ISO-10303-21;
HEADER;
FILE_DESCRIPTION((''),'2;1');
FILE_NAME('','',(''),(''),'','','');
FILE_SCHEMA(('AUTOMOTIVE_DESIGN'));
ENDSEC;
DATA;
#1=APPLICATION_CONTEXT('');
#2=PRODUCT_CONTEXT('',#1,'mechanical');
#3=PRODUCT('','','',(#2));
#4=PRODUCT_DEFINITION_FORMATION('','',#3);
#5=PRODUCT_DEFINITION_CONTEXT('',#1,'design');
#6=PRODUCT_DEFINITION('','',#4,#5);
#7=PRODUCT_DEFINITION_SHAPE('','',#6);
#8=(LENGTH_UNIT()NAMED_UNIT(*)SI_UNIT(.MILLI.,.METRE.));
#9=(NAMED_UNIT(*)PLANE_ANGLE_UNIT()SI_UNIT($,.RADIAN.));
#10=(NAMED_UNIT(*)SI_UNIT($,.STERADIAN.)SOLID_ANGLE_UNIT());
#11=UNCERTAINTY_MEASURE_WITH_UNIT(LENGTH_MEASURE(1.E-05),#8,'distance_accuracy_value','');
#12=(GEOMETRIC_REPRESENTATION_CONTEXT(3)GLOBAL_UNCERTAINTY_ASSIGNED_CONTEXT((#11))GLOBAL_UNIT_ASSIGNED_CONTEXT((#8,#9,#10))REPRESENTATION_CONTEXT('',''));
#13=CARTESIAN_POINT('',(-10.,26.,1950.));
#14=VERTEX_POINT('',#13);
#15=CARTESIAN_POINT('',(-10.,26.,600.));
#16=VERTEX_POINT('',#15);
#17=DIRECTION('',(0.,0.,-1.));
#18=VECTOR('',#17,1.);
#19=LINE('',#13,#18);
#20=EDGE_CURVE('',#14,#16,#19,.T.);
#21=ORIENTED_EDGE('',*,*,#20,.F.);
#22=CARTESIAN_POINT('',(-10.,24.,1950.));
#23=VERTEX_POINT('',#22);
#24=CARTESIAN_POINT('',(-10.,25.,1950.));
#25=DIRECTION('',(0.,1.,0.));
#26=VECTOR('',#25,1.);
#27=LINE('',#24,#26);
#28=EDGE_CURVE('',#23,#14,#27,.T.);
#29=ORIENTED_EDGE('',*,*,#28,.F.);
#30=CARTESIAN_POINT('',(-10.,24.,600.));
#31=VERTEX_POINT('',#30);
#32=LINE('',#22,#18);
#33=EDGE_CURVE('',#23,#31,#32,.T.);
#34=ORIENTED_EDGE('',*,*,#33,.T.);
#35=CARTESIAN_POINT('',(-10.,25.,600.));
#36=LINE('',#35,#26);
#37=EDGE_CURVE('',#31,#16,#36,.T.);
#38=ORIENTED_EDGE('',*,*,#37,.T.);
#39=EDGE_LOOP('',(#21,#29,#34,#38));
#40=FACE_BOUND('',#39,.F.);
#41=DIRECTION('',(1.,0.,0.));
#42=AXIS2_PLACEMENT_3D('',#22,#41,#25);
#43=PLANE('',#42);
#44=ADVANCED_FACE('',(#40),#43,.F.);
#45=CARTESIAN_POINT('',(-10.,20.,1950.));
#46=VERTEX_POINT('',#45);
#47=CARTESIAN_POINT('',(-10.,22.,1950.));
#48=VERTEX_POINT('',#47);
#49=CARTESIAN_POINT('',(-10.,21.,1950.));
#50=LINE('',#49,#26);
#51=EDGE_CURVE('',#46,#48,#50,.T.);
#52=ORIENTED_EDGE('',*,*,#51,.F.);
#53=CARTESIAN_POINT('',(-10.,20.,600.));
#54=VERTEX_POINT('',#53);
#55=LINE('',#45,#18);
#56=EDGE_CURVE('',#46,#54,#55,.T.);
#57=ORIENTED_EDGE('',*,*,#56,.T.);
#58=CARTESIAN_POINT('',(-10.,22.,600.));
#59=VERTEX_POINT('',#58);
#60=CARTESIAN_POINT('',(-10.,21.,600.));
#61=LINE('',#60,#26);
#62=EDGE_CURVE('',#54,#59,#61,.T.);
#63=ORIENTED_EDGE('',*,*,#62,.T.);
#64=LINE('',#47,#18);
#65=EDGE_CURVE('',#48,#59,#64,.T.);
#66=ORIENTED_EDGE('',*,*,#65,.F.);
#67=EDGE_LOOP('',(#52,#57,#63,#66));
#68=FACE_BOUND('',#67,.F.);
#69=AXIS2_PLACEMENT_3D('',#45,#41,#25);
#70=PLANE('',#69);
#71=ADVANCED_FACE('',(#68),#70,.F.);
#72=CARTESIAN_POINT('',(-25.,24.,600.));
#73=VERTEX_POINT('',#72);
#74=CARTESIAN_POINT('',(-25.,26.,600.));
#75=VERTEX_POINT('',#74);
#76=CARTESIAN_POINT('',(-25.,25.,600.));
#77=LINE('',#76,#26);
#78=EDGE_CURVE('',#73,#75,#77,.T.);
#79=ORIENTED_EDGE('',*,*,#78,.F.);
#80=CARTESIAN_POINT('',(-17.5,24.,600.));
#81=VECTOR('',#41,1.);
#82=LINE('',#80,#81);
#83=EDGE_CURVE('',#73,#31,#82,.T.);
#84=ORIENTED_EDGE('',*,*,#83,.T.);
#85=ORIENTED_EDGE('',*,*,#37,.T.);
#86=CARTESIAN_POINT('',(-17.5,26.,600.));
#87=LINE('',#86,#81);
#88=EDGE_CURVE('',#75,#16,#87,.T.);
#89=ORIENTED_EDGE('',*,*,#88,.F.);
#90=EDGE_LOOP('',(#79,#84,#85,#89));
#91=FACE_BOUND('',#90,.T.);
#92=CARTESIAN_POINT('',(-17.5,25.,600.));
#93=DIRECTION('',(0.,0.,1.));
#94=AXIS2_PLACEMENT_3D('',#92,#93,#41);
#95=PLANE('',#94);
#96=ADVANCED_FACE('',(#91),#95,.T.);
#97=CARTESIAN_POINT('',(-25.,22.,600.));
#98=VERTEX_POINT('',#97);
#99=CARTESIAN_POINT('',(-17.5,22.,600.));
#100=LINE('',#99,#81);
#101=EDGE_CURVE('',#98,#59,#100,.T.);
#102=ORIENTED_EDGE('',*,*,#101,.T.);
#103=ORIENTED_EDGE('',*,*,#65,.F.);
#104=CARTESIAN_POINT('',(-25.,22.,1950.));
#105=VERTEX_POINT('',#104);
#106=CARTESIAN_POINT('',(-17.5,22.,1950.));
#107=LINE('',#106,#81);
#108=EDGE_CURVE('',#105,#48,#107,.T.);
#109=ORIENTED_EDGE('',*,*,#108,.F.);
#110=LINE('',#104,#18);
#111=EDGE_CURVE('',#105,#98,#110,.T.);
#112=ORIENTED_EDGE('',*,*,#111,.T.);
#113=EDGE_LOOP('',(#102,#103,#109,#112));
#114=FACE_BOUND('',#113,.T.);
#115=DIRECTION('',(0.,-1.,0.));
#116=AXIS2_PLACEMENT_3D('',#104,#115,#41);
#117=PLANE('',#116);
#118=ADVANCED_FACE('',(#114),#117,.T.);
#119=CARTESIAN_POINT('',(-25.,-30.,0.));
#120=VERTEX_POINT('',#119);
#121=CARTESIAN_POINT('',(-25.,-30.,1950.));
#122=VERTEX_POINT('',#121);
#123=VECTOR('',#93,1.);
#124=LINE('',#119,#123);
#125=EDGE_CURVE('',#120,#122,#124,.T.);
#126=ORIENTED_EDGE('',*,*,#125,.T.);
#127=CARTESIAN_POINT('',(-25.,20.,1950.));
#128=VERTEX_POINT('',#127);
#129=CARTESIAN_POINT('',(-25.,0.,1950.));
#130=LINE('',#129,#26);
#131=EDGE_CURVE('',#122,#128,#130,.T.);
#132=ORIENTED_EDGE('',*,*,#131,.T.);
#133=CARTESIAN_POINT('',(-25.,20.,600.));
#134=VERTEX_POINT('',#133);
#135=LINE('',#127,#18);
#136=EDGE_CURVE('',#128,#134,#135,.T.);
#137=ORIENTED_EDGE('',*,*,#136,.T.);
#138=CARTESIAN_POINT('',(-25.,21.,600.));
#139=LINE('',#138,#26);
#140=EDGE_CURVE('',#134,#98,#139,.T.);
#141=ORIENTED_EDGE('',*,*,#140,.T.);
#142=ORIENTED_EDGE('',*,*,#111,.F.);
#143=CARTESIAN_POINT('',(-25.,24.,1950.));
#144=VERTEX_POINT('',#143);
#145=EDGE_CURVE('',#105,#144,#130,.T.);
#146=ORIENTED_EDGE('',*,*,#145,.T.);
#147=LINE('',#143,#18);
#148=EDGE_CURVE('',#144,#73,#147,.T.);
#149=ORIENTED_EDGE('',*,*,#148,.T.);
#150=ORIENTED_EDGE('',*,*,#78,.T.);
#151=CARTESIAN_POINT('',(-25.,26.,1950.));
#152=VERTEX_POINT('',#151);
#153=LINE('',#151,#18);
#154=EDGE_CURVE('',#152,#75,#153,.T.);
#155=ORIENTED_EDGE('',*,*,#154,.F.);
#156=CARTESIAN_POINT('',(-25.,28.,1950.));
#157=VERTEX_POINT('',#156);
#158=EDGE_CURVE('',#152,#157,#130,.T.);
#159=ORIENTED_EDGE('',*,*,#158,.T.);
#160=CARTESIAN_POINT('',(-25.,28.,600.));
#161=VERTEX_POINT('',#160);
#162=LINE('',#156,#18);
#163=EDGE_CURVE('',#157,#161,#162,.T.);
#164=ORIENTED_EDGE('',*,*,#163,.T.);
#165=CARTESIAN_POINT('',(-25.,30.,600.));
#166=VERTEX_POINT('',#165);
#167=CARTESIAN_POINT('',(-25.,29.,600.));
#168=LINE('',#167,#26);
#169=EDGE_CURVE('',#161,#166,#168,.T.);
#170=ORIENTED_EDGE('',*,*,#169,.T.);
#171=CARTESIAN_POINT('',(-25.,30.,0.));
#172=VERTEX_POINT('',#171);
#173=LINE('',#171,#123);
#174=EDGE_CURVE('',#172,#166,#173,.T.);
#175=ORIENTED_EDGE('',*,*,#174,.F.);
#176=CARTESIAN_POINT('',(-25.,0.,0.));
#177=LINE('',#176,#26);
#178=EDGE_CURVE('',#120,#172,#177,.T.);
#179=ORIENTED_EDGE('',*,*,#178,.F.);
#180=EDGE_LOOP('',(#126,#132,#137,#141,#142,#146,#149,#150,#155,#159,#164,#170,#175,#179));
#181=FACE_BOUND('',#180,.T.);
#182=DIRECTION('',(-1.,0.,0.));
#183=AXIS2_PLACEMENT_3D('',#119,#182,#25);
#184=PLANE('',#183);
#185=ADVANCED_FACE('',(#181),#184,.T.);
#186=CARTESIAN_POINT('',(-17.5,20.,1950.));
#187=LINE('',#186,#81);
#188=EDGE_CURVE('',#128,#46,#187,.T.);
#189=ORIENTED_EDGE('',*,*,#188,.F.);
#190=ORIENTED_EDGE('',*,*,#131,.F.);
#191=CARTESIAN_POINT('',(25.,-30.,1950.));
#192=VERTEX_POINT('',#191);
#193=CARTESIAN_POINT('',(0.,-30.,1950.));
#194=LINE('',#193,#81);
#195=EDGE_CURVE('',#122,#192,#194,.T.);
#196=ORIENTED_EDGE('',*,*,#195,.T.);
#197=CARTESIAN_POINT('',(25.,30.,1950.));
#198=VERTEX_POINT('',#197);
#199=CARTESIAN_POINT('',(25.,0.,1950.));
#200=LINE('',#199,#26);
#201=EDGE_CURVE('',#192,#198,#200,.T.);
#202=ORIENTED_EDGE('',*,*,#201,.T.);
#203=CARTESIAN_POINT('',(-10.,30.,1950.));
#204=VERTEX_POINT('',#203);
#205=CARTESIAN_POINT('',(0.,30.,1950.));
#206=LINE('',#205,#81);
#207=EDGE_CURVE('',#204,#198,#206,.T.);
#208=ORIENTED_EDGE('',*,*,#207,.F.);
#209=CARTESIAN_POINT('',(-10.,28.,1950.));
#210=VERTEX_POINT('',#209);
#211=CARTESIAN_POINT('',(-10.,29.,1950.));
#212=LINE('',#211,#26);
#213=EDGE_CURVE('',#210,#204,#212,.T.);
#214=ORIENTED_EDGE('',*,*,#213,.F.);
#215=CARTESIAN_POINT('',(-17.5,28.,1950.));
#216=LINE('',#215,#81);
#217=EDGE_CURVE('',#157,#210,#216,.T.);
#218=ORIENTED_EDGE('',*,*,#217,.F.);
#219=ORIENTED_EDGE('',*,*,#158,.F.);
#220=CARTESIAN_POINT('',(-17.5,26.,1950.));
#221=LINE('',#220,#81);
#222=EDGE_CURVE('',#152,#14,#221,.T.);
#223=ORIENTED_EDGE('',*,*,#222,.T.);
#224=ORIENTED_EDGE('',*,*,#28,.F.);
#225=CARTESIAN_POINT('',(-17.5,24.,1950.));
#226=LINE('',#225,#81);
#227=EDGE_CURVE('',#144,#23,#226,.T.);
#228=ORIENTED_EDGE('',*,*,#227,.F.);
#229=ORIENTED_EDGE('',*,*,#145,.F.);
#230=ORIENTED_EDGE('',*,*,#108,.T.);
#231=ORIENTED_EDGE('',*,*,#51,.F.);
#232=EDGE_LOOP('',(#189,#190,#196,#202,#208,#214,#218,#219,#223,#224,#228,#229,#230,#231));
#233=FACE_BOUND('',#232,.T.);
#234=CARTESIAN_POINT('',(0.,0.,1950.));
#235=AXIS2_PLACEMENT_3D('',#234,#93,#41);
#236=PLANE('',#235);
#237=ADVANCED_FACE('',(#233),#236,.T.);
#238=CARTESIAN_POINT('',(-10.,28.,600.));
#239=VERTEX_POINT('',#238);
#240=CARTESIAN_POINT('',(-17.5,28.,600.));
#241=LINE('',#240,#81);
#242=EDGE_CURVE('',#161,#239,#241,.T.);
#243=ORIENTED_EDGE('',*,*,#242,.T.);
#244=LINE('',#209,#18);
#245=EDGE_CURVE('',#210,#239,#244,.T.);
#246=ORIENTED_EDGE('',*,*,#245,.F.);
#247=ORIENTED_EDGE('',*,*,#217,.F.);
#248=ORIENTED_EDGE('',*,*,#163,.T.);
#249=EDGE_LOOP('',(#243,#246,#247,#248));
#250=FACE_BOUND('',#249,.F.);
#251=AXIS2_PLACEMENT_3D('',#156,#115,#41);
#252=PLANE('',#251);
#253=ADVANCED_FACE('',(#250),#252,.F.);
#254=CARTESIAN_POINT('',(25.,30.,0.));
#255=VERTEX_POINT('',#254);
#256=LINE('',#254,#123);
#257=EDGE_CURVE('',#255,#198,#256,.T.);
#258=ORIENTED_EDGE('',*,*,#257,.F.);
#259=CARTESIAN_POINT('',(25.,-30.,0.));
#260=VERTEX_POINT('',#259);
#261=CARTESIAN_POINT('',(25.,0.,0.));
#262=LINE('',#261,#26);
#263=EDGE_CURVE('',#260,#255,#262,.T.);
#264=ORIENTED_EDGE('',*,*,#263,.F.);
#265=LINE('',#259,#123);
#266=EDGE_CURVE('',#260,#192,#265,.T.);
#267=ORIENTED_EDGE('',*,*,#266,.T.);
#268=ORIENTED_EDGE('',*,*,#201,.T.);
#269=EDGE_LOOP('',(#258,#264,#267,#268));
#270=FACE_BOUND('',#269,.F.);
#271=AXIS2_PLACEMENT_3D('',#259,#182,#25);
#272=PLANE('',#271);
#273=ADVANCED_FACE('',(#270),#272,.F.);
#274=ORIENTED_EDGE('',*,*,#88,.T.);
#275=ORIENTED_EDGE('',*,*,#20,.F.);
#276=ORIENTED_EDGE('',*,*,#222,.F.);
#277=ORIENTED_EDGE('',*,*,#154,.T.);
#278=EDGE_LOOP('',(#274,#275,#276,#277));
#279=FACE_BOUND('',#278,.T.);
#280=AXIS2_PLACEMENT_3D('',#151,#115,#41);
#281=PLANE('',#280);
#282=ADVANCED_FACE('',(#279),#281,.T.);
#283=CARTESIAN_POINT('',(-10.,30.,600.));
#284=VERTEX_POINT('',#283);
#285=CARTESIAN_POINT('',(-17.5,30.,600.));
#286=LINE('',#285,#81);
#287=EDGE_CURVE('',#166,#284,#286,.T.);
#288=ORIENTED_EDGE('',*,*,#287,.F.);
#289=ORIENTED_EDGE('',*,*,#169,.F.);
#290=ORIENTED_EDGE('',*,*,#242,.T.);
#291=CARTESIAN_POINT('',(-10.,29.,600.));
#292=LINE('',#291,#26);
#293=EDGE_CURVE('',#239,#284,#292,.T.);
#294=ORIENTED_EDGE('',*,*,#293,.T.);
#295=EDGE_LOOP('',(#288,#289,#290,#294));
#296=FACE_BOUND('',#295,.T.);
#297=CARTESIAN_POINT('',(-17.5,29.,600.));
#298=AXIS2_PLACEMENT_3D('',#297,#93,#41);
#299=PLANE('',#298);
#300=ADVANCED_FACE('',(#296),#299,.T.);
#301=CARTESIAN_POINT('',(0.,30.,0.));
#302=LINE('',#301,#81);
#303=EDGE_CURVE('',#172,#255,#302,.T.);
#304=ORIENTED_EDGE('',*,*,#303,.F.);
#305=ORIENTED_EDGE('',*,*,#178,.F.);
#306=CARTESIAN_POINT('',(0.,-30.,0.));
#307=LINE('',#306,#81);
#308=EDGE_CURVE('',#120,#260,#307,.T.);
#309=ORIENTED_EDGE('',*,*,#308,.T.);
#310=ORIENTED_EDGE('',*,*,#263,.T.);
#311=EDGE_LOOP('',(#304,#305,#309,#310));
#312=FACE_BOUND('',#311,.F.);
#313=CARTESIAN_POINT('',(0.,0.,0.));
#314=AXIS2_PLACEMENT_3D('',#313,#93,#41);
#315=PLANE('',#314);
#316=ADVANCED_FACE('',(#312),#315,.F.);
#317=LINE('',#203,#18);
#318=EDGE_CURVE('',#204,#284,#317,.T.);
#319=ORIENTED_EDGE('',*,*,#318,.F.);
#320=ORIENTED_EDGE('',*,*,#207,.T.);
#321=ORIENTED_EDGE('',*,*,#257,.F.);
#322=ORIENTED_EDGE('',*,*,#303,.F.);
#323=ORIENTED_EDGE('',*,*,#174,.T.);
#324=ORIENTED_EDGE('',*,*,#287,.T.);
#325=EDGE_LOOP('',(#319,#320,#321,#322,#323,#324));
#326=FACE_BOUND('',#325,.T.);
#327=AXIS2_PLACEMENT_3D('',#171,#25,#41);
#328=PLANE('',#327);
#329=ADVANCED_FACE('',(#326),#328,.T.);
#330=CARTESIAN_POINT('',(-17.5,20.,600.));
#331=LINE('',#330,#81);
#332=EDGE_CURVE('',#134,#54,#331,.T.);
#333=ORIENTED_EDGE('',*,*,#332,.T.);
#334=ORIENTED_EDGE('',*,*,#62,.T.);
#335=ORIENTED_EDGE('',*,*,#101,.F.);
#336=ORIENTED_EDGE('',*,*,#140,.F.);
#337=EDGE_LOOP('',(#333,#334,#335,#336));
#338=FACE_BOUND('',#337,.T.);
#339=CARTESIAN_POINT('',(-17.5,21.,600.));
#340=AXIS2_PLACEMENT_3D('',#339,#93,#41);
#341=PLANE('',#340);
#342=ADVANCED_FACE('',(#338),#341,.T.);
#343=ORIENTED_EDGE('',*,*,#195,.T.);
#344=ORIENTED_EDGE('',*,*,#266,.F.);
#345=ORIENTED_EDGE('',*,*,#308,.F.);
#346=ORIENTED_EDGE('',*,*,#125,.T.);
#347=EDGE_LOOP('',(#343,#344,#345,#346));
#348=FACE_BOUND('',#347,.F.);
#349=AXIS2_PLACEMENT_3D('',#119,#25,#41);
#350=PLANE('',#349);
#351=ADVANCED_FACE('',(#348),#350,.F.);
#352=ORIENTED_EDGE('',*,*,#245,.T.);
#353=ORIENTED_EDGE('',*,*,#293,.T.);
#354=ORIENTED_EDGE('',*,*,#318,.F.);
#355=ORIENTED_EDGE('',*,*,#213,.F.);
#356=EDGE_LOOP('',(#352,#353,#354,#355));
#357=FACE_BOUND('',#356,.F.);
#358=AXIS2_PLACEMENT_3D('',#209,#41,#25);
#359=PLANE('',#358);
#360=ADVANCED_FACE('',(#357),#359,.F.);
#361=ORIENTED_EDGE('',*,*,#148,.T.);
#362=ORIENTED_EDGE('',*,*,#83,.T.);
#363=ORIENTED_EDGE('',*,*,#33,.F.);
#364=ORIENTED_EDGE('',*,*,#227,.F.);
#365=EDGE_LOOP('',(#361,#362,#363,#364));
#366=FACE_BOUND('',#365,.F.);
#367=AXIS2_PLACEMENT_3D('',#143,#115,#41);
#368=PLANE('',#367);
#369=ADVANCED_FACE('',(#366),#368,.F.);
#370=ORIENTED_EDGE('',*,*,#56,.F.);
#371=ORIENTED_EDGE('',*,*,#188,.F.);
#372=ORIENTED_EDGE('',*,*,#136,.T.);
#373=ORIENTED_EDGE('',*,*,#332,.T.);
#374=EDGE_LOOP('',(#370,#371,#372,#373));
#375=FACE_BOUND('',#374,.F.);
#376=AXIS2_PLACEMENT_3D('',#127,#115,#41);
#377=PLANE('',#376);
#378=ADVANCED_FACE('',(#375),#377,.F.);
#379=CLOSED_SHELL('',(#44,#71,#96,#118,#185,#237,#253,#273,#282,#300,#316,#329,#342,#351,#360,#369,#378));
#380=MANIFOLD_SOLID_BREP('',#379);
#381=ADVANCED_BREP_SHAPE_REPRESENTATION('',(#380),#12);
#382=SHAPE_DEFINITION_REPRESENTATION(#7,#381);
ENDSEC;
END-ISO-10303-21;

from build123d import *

# Parameters (mm, degrees)
F0_W     = 50
F0_H     = 60
F1_DEPTH = 1950
F2_W     = 15
F2_H     = 2
F3_DEPTH = 1350


with BuildPart() as f1:
    # F0 (on Top) → F1 (new body)
    with BuildSketch(Plane.XY):
        Rectangle(F0_W, F0_H)
    extrude(amount=F1_DEPTH)

    # F2 (on face) → F3 (cut)
    with BuildSketch(Plane.XY.offset(1950)):
        with Locations((-17.5, 29)):
            Rectangle(F2_W, F2_H)
        with Locations((-17.5, 25)):
            Rectangle(F2_W, F2_H)
        with Locations((-17.5, 21)):
            Rectangle(F2_W, F2_H)
    extrude(amount=-F3_DEPTH, mode=Mode.SUBTRACT)


solid = f1.part
